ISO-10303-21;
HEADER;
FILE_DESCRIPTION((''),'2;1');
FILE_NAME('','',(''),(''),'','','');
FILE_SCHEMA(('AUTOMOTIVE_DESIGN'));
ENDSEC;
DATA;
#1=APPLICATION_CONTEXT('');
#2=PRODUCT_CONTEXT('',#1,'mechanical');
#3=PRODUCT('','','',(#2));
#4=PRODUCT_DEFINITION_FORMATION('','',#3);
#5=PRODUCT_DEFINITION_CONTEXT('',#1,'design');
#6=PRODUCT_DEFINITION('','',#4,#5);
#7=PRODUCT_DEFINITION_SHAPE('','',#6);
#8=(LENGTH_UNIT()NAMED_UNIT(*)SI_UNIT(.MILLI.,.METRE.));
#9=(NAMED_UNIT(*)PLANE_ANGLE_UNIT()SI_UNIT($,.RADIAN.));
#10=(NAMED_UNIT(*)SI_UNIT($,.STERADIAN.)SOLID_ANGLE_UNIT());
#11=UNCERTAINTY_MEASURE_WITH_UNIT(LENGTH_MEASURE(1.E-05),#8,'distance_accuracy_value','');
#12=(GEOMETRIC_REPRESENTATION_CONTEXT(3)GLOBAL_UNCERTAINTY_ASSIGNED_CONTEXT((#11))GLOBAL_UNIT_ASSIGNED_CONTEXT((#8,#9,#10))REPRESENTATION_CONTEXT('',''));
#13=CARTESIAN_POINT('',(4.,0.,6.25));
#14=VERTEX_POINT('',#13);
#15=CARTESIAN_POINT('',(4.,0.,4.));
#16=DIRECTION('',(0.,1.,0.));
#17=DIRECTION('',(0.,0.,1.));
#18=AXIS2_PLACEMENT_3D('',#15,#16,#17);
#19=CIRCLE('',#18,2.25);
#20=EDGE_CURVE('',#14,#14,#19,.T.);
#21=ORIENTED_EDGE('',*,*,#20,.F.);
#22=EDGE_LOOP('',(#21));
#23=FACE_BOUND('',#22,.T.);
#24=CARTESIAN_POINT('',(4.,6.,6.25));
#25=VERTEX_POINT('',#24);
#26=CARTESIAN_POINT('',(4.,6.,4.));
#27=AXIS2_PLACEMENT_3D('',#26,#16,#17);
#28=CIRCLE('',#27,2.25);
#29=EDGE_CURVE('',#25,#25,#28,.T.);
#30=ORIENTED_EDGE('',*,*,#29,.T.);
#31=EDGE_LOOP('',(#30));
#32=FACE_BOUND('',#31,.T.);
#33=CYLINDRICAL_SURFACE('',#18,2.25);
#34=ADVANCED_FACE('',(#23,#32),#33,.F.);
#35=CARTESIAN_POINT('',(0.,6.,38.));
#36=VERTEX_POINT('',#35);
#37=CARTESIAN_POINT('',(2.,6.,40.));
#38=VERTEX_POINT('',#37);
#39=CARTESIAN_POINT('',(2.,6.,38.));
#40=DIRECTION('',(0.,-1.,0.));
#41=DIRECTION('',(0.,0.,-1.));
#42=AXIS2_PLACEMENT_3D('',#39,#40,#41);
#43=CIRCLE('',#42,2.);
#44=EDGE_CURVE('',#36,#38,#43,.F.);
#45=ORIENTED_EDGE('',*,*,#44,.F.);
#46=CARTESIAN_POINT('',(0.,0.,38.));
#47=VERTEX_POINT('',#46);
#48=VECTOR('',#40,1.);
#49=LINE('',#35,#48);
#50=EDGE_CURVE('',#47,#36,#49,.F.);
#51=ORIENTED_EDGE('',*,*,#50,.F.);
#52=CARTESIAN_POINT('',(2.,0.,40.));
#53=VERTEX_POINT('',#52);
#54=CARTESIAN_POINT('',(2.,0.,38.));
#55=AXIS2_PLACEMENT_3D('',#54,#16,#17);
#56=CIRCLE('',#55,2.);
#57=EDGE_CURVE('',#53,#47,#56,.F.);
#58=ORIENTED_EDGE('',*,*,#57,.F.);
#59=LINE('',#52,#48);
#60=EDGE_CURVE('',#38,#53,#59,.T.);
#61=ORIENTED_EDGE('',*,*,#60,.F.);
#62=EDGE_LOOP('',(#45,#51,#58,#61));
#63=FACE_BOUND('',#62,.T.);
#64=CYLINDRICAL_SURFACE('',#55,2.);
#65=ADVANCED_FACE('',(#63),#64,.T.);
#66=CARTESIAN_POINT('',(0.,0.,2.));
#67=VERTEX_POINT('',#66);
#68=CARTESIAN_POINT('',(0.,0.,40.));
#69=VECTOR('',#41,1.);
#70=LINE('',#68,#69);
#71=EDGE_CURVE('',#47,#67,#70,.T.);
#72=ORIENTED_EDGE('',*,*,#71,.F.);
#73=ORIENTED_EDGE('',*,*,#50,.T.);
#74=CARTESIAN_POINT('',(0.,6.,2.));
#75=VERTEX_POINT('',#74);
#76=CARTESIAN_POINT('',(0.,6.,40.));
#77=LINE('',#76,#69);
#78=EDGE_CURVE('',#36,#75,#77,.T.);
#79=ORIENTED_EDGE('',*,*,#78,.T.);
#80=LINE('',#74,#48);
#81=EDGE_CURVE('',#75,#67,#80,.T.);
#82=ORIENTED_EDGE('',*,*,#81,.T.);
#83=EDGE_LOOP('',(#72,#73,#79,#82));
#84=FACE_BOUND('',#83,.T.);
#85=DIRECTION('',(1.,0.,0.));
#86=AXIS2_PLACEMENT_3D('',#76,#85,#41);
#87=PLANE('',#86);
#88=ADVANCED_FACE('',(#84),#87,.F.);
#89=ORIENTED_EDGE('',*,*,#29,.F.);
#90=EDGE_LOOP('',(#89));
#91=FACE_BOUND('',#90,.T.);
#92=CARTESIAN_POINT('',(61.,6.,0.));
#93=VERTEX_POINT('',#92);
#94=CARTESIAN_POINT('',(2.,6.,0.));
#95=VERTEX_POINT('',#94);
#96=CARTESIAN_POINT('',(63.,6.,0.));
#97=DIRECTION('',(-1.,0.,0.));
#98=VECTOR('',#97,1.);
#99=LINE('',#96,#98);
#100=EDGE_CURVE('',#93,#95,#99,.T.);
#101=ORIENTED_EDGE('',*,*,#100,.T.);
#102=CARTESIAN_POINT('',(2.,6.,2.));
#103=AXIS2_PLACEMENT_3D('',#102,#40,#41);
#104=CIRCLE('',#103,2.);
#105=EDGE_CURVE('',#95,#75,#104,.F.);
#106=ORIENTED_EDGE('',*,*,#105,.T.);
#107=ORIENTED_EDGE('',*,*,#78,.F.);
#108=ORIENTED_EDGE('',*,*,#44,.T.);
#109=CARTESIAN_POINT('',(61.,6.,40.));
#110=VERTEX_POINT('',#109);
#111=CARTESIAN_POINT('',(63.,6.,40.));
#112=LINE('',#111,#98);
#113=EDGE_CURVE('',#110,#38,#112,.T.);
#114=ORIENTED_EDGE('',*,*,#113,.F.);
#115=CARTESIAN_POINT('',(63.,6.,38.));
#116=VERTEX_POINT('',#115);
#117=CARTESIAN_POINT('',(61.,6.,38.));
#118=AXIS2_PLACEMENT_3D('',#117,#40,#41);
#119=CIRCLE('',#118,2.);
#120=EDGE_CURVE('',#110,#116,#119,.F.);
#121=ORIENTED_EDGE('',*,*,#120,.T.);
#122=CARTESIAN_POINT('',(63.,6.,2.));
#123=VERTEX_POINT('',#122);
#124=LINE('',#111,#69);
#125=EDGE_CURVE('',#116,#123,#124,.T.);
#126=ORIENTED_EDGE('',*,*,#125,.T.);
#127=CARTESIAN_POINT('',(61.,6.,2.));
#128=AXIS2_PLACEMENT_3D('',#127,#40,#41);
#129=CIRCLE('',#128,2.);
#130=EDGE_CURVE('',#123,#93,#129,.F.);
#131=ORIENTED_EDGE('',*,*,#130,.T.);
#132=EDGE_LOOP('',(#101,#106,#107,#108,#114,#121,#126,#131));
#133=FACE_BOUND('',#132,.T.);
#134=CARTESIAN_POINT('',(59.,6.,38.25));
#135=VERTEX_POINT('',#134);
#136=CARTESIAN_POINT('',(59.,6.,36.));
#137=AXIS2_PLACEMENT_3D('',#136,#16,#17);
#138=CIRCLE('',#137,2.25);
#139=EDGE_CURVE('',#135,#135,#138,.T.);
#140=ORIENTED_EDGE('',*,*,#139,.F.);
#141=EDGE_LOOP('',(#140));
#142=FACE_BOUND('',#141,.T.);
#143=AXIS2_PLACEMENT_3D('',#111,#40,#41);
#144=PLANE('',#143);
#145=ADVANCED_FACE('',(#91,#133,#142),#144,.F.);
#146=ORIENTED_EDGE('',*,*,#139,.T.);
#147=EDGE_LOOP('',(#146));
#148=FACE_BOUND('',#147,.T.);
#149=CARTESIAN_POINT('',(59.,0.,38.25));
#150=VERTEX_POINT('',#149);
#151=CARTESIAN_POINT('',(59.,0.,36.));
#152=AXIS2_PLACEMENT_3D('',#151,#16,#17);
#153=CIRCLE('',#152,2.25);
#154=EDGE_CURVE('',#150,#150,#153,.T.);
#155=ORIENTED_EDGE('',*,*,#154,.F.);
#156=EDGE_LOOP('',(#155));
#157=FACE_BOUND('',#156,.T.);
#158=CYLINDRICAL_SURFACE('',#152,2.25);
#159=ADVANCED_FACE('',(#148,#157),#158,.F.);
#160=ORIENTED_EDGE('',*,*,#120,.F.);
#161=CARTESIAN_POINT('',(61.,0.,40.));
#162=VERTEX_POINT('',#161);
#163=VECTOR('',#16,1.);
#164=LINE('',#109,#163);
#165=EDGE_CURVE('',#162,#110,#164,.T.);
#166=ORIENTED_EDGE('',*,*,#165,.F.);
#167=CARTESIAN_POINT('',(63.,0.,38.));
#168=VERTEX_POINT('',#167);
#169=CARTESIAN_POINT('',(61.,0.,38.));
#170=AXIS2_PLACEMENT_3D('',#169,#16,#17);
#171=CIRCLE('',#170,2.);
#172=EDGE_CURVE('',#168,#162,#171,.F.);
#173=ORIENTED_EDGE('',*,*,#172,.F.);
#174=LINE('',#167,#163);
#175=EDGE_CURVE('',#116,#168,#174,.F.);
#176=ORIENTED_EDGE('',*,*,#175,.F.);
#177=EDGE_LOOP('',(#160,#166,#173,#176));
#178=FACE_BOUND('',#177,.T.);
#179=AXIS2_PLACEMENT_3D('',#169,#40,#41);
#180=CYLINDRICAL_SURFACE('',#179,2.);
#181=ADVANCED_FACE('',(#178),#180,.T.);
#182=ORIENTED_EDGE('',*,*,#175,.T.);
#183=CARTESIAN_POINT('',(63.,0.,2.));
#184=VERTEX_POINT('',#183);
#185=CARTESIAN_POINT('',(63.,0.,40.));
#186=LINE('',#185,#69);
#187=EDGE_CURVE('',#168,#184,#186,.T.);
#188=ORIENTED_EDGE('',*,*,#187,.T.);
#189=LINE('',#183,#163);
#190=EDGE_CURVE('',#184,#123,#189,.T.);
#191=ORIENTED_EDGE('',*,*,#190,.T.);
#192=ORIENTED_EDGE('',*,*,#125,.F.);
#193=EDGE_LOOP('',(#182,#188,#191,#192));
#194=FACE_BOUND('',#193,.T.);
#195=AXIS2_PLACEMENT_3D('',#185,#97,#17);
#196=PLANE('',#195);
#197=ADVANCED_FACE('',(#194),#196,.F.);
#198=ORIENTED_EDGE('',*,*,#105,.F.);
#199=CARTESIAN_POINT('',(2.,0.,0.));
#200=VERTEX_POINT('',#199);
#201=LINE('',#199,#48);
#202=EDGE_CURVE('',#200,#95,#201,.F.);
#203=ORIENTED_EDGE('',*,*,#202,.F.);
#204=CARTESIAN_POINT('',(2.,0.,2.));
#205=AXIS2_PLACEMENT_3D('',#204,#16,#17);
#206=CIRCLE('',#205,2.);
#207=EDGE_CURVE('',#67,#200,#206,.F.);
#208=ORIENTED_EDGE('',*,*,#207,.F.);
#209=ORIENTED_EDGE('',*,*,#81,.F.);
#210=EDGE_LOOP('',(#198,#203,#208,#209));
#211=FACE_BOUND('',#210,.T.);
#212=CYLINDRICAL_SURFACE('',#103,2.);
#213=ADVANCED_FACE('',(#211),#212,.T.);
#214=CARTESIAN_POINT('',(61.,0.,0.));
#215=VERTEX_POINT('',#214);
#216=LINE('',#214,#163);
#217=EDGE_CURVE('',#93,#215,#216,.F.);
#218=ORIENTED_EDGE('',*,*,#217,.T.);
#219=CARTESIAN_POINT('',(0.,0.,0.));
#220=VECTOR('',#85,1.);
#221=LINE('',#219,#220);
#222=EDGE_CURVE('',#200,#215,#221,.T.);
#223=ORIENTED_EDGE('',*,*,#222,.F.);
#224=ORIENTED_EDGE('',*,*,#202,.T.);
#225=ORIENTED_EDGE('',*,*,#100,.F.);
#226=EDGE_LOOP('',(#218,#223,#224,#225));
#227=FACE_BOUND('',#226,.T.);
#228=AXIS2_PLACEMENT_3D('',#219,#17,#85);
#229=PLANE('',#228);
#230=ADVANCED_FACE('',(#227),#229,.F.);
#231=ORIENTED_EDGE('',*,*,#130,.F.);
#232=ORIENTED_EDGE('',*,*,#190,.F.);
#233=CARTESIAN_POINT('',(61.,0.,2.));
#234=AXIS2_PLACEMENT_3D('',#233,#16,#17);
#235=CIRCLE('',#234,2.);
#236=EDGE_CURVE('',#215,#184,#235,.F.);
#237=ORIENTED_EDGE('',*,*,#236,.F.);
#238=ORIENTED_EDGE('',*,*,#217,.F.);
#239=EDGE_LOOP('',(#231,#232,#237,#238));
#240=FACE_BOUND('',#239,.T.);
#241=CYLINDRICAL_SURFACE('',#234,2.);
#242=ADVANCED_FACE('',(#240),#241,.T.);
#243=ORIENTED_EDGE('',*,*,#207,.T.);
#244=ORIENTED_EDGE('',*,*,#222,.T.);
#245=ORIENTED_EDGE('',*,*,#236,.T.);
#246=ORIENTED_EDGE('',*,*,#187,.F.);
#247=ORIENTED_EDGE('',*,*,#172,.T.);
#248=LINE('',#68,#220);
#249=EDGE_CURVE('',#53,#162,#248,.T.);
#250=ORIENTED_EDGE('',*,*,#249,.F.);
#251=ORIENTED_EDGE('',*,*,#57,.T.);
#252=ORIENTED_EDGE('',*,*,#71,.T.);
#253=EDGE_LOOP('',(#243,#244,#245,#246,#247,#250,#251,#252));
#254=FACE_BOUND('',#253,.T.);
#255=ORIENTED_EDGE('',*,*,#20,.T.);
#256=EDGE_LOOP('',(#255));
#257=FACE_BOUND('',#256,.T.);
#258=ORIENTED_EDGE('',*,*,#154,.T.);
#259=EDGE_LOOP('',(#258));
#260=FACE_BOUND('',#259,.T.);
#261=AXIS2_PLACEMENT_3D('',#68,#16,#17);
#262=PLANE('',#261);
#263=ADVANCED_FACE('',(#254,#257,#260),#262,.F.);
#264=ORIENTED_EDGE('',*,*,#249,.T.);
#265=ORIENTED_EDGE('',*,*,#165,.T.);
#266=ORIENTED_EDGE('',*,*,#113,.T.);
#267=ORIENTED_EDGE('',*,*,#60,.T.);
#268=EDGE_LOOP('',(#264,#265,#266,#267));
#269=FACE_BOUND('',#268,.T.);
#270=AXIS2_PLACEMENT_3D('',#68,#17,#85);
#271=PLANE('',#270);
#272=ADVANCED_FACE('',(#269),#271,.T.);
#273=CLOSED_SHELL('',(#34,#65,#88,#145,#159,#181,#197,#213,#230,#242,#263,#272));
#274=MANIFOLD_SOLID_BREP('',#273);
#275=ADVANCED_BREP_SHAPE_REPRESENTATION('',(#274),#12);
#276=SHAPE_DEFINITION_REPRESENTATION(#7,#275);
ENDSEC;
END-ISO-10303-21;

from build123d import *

# Parameters (mm, degrees)
SKETCH_1_W          = 63
SKETCH_1_H          = 6
BLOCKEXTRUDE_DEPTH  = 40
FILLET_2_R          = 2
SKETCH_2_R          = 2.25
MOUNTING_HOLE_DEPTH = 75.866547937
SKETCH_3_R          = 2.25
CUT_EXTRUDE_2_DEPTH = 75.866547937


with BuildPart() as part:
    # 草图1 → BlockExtrude (new body)
    with BuildSketch(Plane.XY):
        with Locations((31.5, 3)):
            Rectangle(SKETCH_1_W, SKETCH_1_H)
    extrude(amount=BLOCKEXTRUDE_DEPTH)

    # Fillet 2
    fillet_2_edges = [part.edges().sort_by_distance(p)[0] for p in [
        (63, 3, 40),
        (0, 3, 40),
        (63, 3, 0),
        (0, 3, 0),
    ]]
    fillet(fillet_2_edges, radius=FILLET_2_R)

    # 草图2 → Mounting_hole (cut, through all)
    with BuildSketch(Plane(origin=(0, 6, 0), x_dir=(1, 0, 0), z_dir=(0, 1, 0))):
        with Locations(Location((4, -4, 0), (0, 0, 270))):
            Circle(SKETCH_2_R)
    extrude(amount=-MOUNTING_HOLE_DEPTH, mode=Mode.SUBTRACT)

    # 草图3 → 切除-拉伸2 (cut, through all)
    with BuildSketch(Plane(origin=(0, 6, 0), x_dir=(1, 0, 0), z_dir=(0, 1, 0))):
        with Locations(Location((59, -36, 0), (0, 0, 270))):
            Circle(SKETCH_3_R)
    extrude(amount=-CUT_EXTRUDE_2_DEPTH, mode=Mode.SUBTRACT)


solid = part.part
